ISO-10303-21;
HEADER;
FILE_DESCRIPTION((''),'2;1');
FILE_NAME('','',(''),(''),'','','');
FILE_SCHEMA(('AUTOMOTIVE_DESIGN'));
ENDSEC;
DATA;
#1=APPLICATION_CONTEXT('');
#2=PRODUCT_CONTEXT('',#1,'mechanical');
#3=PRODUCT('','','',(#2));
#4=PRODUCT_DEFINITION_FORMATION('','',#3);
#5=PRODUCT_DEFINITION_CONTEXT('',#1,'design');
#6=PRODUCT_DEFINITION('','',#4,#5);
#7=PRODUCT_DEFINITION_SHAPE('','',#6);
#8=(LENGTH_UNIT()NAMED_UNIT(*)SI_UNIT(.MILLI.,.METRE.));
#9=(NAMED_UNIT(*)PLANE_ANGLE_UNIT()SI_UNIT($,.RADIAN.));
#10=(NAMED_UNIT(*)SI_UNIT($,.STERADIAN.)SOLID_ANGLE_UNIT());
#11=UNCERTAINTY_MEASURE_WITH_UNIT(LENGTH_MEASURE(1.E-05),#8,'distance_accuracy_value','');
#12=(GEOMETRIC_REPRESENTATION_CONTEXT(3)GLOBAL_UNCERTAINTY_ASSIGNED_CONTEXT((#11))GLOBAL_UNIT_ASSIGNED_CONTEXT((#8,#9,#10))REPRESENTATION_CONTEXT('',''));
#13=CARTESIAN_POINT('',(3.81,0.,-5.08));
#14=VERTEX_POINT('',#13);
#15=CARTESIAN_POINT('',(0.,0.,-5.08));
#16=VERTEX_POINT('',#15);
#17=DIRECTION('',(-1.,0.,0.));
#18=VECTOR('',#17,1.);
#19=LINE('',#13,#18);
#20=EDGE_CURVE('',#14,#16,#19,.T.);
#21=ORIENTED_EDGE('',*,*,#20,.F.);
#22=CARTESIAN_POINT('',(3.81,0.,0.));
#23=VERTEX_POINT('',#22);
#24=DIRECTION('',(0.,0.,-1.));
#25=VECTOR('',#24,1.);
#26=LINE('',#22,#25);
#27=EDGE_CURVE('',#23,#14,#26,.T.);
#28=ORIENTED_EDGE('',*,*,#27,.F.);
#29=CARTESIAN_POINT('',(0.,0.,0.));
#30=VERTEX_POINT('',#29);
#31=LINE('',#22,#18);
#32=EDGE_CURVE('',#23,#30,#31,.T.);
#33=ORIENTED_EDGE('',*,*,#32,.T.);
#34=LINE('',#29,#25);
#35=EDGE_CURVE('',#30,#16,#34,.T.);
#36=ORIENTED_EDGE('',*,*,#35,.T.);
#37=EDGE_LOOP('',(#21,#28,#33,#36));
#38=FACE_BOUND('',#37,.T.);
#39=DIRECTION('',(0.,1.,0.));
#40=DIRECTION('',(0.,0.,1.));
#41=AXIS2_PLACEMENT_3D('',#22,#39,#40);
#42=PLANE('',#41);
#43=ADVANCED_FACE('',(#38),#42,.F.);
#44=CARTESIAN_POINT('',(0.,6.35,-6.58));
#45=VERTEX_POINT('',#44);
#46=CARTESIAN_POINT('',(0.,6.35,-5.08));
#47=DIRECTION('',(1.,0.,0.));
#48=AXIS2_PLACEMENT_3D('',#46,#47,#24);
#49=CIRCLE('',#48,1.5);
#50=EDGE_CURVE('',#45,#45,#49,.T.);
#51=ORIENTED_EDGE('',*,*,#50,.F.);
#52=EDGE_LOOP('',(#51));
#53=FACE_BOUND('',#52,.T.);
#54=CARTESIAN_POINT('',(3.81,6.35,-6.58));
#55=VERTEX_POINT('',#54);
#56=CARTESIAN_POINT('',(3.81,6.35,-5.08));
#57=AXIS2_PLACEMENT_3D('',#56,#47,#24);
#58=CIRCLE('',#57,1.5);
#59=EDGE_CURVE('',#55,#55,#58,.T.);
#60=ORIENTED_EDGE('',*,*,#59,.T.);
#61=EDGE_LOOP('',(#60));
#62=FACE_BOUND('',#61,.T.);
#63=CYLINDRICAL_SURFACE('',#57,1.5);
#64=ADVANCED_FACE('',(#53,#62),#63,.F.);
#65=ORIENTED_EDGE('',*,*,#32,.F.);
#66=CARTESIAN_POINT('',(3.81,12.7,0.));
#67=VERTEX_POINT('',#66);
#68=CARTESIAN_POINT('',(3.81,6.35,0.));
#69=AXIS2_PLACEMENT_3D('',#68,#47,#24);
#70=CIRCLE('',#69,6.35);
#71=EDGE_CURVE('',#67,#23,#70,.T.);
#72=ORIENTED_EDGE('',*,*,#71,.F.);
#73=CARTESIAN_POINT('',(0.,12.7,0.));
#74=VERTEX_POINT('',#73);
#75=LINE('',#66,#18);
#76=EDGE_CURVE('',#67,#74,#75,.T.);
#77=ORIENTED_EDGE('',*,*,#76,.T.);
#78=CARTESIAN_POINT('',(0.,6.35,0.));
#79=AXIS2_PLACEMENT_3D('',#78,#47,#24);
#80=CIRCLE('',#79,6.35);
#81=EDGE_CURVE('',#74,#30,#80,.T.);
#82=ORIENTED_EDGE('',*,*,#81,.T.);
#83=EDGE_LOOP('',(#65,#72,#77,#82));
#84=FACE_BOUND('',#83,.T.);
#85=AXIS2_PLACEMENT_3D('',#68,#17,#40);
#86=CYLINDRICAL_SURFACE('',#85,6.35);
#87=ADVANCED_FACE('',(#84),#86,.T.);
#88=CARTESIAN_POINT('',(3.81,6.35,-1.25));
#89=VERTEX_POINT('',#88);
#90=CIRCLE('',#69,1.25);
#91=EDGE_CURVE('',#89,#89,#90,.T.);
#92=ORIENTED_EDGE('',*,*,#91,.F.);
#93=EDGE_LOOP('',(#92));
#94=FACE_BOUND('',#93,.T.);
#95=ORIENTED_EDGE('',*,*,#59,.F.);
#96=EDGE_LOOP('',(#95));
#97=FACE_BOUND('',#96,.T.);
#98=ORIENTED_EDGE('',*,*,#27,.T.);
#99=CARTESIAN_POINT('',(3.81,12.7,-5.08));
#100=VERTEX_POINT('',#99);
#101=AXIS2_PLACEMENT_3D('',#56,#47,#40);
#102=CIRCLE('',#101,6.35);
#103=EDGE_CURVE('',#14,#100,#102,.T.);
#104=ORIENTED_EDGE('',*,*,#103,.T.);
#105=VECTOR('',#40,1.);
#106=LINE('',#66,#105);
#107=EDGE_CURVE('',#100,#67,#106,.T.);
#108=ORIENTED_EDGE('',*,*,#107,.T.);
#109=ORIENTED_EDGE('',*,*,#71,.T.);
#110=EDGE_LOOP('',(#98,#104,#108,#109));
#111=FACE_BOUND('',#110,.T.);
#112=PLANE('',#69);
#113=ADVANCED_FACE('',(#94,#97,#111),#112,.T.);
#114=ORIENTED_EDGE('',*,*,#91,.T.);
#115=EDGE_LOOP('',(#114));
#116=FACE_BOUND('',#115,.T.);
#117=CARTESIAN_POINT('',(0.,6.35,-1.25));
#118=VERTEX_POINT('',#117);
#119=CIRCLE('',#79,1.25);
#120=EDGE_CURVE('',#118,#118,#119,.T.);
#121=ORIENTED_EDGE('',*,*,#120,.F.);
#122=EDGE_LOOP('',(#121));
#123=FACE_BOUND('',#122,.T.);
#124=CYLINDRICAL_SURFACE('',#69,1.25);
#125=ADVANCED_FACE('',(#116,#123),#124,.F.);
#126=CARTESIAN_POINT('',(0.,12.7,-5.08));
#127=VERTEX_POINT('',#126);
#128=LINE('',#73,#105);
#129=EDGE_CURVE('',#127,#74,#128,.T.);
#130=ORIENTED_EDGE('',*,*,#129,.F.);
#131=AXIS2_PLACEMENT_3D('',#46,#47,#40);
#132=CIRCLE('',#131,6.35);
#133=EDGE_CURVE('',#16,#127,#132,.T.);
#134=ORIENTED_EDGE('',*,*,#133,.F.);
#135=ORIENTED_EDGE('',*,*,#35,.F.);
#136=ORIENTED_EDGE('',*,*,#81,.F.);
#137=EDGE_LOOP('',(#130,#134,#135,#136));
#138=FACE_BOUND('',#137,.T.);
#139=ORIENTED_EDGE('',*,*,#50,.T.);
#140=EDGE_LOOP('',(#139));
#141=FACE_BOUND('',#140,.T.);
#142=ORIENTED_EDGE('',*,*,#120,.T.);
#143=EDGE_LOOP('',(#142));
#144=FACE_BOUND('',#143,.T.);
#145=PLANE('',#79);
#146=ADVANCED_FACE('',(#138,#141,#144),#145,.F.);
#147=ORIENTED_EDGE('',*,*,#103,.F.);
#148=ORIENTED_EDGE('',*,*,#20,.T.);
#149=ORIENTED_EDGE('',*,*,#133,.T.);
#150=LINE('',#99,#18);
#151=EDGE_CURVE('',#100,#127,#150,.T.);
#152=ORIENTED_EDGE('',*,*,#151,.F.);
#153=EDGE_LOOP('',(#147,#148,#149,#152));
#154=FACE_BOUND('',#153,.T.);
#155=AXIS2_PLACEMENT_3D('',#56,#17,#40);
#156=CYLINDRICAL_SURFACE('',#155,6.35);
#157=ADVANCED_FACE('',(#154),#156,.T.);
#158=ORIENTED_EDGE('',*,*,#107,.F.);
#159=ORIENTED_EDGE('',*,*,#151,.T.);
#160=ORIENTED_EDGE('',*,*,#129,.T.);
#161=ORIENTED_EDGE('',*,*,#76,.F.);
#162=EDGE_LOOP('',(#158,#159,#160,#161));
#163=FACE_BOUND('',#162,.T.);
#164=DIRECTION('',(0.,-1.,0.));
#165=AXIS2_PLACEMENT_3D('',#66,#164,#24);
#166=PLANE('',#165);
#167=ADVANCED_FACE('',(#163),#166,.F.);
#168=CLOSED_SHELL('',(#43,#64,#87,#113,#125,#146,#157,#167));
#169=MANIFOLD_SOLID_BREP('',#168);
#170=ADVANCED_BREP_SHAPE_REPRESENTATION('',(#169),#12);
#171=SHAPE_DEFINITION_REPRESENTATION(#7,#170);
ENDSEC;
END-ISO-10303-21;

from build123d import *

# Parameters (mm, degrees)
BOSS_EXTRUDE1_DEPTH     = 3.81
TAP_DRILL_FOR_M3_TAP1_D = 2.5
F_3_0MM_DOWEL_HOLE1_D   = 3


with BuildPart() as part:
    # Sketch1 → Boss-Extrude1 (new body)
    with BuildSketch(Plane(origin=(0, 0, 0), x_dir=(0, 0, -1), z_dir=(1, 0, 0))):
        with BuildLine():
            Line((0, 0), (5.08, 0))
            ThreePointArc((5.08, 0), (11.43, 6.35), (5.08, 12.7))
            Line((5.08, 12.7), (0, 12.7))
            ThreePointArc((0, 12.7), (-6.35, 6.35), (0, 0))
        make_face()
    extrude(amount=BOSS_EXTRUDE1_DEPTH)

    # Tap Drill for M3 Tap1 (through all)
    with Locations(Plane(origin=(3.81, 0, 0), x_dir=(0, 0, -1), z_dir=(1, 0, 0))):
        with Locations((0, 6.35)):
            Hole(TAP_DRILL_FOR_M3_TAP1_D / 2)

    # Ø3.0mm Dowel Hole1 (through all)
    with Locations(Plane(origin=(3.81, 0, 0), x_dir=(0, 0, -1), z_dir=(1, 0, 0))):
        with Locations((5.08, 6.35)):
            Hole(F_3_0MM_DOWEL_HOLE1_D / 2)


solid = part.part
